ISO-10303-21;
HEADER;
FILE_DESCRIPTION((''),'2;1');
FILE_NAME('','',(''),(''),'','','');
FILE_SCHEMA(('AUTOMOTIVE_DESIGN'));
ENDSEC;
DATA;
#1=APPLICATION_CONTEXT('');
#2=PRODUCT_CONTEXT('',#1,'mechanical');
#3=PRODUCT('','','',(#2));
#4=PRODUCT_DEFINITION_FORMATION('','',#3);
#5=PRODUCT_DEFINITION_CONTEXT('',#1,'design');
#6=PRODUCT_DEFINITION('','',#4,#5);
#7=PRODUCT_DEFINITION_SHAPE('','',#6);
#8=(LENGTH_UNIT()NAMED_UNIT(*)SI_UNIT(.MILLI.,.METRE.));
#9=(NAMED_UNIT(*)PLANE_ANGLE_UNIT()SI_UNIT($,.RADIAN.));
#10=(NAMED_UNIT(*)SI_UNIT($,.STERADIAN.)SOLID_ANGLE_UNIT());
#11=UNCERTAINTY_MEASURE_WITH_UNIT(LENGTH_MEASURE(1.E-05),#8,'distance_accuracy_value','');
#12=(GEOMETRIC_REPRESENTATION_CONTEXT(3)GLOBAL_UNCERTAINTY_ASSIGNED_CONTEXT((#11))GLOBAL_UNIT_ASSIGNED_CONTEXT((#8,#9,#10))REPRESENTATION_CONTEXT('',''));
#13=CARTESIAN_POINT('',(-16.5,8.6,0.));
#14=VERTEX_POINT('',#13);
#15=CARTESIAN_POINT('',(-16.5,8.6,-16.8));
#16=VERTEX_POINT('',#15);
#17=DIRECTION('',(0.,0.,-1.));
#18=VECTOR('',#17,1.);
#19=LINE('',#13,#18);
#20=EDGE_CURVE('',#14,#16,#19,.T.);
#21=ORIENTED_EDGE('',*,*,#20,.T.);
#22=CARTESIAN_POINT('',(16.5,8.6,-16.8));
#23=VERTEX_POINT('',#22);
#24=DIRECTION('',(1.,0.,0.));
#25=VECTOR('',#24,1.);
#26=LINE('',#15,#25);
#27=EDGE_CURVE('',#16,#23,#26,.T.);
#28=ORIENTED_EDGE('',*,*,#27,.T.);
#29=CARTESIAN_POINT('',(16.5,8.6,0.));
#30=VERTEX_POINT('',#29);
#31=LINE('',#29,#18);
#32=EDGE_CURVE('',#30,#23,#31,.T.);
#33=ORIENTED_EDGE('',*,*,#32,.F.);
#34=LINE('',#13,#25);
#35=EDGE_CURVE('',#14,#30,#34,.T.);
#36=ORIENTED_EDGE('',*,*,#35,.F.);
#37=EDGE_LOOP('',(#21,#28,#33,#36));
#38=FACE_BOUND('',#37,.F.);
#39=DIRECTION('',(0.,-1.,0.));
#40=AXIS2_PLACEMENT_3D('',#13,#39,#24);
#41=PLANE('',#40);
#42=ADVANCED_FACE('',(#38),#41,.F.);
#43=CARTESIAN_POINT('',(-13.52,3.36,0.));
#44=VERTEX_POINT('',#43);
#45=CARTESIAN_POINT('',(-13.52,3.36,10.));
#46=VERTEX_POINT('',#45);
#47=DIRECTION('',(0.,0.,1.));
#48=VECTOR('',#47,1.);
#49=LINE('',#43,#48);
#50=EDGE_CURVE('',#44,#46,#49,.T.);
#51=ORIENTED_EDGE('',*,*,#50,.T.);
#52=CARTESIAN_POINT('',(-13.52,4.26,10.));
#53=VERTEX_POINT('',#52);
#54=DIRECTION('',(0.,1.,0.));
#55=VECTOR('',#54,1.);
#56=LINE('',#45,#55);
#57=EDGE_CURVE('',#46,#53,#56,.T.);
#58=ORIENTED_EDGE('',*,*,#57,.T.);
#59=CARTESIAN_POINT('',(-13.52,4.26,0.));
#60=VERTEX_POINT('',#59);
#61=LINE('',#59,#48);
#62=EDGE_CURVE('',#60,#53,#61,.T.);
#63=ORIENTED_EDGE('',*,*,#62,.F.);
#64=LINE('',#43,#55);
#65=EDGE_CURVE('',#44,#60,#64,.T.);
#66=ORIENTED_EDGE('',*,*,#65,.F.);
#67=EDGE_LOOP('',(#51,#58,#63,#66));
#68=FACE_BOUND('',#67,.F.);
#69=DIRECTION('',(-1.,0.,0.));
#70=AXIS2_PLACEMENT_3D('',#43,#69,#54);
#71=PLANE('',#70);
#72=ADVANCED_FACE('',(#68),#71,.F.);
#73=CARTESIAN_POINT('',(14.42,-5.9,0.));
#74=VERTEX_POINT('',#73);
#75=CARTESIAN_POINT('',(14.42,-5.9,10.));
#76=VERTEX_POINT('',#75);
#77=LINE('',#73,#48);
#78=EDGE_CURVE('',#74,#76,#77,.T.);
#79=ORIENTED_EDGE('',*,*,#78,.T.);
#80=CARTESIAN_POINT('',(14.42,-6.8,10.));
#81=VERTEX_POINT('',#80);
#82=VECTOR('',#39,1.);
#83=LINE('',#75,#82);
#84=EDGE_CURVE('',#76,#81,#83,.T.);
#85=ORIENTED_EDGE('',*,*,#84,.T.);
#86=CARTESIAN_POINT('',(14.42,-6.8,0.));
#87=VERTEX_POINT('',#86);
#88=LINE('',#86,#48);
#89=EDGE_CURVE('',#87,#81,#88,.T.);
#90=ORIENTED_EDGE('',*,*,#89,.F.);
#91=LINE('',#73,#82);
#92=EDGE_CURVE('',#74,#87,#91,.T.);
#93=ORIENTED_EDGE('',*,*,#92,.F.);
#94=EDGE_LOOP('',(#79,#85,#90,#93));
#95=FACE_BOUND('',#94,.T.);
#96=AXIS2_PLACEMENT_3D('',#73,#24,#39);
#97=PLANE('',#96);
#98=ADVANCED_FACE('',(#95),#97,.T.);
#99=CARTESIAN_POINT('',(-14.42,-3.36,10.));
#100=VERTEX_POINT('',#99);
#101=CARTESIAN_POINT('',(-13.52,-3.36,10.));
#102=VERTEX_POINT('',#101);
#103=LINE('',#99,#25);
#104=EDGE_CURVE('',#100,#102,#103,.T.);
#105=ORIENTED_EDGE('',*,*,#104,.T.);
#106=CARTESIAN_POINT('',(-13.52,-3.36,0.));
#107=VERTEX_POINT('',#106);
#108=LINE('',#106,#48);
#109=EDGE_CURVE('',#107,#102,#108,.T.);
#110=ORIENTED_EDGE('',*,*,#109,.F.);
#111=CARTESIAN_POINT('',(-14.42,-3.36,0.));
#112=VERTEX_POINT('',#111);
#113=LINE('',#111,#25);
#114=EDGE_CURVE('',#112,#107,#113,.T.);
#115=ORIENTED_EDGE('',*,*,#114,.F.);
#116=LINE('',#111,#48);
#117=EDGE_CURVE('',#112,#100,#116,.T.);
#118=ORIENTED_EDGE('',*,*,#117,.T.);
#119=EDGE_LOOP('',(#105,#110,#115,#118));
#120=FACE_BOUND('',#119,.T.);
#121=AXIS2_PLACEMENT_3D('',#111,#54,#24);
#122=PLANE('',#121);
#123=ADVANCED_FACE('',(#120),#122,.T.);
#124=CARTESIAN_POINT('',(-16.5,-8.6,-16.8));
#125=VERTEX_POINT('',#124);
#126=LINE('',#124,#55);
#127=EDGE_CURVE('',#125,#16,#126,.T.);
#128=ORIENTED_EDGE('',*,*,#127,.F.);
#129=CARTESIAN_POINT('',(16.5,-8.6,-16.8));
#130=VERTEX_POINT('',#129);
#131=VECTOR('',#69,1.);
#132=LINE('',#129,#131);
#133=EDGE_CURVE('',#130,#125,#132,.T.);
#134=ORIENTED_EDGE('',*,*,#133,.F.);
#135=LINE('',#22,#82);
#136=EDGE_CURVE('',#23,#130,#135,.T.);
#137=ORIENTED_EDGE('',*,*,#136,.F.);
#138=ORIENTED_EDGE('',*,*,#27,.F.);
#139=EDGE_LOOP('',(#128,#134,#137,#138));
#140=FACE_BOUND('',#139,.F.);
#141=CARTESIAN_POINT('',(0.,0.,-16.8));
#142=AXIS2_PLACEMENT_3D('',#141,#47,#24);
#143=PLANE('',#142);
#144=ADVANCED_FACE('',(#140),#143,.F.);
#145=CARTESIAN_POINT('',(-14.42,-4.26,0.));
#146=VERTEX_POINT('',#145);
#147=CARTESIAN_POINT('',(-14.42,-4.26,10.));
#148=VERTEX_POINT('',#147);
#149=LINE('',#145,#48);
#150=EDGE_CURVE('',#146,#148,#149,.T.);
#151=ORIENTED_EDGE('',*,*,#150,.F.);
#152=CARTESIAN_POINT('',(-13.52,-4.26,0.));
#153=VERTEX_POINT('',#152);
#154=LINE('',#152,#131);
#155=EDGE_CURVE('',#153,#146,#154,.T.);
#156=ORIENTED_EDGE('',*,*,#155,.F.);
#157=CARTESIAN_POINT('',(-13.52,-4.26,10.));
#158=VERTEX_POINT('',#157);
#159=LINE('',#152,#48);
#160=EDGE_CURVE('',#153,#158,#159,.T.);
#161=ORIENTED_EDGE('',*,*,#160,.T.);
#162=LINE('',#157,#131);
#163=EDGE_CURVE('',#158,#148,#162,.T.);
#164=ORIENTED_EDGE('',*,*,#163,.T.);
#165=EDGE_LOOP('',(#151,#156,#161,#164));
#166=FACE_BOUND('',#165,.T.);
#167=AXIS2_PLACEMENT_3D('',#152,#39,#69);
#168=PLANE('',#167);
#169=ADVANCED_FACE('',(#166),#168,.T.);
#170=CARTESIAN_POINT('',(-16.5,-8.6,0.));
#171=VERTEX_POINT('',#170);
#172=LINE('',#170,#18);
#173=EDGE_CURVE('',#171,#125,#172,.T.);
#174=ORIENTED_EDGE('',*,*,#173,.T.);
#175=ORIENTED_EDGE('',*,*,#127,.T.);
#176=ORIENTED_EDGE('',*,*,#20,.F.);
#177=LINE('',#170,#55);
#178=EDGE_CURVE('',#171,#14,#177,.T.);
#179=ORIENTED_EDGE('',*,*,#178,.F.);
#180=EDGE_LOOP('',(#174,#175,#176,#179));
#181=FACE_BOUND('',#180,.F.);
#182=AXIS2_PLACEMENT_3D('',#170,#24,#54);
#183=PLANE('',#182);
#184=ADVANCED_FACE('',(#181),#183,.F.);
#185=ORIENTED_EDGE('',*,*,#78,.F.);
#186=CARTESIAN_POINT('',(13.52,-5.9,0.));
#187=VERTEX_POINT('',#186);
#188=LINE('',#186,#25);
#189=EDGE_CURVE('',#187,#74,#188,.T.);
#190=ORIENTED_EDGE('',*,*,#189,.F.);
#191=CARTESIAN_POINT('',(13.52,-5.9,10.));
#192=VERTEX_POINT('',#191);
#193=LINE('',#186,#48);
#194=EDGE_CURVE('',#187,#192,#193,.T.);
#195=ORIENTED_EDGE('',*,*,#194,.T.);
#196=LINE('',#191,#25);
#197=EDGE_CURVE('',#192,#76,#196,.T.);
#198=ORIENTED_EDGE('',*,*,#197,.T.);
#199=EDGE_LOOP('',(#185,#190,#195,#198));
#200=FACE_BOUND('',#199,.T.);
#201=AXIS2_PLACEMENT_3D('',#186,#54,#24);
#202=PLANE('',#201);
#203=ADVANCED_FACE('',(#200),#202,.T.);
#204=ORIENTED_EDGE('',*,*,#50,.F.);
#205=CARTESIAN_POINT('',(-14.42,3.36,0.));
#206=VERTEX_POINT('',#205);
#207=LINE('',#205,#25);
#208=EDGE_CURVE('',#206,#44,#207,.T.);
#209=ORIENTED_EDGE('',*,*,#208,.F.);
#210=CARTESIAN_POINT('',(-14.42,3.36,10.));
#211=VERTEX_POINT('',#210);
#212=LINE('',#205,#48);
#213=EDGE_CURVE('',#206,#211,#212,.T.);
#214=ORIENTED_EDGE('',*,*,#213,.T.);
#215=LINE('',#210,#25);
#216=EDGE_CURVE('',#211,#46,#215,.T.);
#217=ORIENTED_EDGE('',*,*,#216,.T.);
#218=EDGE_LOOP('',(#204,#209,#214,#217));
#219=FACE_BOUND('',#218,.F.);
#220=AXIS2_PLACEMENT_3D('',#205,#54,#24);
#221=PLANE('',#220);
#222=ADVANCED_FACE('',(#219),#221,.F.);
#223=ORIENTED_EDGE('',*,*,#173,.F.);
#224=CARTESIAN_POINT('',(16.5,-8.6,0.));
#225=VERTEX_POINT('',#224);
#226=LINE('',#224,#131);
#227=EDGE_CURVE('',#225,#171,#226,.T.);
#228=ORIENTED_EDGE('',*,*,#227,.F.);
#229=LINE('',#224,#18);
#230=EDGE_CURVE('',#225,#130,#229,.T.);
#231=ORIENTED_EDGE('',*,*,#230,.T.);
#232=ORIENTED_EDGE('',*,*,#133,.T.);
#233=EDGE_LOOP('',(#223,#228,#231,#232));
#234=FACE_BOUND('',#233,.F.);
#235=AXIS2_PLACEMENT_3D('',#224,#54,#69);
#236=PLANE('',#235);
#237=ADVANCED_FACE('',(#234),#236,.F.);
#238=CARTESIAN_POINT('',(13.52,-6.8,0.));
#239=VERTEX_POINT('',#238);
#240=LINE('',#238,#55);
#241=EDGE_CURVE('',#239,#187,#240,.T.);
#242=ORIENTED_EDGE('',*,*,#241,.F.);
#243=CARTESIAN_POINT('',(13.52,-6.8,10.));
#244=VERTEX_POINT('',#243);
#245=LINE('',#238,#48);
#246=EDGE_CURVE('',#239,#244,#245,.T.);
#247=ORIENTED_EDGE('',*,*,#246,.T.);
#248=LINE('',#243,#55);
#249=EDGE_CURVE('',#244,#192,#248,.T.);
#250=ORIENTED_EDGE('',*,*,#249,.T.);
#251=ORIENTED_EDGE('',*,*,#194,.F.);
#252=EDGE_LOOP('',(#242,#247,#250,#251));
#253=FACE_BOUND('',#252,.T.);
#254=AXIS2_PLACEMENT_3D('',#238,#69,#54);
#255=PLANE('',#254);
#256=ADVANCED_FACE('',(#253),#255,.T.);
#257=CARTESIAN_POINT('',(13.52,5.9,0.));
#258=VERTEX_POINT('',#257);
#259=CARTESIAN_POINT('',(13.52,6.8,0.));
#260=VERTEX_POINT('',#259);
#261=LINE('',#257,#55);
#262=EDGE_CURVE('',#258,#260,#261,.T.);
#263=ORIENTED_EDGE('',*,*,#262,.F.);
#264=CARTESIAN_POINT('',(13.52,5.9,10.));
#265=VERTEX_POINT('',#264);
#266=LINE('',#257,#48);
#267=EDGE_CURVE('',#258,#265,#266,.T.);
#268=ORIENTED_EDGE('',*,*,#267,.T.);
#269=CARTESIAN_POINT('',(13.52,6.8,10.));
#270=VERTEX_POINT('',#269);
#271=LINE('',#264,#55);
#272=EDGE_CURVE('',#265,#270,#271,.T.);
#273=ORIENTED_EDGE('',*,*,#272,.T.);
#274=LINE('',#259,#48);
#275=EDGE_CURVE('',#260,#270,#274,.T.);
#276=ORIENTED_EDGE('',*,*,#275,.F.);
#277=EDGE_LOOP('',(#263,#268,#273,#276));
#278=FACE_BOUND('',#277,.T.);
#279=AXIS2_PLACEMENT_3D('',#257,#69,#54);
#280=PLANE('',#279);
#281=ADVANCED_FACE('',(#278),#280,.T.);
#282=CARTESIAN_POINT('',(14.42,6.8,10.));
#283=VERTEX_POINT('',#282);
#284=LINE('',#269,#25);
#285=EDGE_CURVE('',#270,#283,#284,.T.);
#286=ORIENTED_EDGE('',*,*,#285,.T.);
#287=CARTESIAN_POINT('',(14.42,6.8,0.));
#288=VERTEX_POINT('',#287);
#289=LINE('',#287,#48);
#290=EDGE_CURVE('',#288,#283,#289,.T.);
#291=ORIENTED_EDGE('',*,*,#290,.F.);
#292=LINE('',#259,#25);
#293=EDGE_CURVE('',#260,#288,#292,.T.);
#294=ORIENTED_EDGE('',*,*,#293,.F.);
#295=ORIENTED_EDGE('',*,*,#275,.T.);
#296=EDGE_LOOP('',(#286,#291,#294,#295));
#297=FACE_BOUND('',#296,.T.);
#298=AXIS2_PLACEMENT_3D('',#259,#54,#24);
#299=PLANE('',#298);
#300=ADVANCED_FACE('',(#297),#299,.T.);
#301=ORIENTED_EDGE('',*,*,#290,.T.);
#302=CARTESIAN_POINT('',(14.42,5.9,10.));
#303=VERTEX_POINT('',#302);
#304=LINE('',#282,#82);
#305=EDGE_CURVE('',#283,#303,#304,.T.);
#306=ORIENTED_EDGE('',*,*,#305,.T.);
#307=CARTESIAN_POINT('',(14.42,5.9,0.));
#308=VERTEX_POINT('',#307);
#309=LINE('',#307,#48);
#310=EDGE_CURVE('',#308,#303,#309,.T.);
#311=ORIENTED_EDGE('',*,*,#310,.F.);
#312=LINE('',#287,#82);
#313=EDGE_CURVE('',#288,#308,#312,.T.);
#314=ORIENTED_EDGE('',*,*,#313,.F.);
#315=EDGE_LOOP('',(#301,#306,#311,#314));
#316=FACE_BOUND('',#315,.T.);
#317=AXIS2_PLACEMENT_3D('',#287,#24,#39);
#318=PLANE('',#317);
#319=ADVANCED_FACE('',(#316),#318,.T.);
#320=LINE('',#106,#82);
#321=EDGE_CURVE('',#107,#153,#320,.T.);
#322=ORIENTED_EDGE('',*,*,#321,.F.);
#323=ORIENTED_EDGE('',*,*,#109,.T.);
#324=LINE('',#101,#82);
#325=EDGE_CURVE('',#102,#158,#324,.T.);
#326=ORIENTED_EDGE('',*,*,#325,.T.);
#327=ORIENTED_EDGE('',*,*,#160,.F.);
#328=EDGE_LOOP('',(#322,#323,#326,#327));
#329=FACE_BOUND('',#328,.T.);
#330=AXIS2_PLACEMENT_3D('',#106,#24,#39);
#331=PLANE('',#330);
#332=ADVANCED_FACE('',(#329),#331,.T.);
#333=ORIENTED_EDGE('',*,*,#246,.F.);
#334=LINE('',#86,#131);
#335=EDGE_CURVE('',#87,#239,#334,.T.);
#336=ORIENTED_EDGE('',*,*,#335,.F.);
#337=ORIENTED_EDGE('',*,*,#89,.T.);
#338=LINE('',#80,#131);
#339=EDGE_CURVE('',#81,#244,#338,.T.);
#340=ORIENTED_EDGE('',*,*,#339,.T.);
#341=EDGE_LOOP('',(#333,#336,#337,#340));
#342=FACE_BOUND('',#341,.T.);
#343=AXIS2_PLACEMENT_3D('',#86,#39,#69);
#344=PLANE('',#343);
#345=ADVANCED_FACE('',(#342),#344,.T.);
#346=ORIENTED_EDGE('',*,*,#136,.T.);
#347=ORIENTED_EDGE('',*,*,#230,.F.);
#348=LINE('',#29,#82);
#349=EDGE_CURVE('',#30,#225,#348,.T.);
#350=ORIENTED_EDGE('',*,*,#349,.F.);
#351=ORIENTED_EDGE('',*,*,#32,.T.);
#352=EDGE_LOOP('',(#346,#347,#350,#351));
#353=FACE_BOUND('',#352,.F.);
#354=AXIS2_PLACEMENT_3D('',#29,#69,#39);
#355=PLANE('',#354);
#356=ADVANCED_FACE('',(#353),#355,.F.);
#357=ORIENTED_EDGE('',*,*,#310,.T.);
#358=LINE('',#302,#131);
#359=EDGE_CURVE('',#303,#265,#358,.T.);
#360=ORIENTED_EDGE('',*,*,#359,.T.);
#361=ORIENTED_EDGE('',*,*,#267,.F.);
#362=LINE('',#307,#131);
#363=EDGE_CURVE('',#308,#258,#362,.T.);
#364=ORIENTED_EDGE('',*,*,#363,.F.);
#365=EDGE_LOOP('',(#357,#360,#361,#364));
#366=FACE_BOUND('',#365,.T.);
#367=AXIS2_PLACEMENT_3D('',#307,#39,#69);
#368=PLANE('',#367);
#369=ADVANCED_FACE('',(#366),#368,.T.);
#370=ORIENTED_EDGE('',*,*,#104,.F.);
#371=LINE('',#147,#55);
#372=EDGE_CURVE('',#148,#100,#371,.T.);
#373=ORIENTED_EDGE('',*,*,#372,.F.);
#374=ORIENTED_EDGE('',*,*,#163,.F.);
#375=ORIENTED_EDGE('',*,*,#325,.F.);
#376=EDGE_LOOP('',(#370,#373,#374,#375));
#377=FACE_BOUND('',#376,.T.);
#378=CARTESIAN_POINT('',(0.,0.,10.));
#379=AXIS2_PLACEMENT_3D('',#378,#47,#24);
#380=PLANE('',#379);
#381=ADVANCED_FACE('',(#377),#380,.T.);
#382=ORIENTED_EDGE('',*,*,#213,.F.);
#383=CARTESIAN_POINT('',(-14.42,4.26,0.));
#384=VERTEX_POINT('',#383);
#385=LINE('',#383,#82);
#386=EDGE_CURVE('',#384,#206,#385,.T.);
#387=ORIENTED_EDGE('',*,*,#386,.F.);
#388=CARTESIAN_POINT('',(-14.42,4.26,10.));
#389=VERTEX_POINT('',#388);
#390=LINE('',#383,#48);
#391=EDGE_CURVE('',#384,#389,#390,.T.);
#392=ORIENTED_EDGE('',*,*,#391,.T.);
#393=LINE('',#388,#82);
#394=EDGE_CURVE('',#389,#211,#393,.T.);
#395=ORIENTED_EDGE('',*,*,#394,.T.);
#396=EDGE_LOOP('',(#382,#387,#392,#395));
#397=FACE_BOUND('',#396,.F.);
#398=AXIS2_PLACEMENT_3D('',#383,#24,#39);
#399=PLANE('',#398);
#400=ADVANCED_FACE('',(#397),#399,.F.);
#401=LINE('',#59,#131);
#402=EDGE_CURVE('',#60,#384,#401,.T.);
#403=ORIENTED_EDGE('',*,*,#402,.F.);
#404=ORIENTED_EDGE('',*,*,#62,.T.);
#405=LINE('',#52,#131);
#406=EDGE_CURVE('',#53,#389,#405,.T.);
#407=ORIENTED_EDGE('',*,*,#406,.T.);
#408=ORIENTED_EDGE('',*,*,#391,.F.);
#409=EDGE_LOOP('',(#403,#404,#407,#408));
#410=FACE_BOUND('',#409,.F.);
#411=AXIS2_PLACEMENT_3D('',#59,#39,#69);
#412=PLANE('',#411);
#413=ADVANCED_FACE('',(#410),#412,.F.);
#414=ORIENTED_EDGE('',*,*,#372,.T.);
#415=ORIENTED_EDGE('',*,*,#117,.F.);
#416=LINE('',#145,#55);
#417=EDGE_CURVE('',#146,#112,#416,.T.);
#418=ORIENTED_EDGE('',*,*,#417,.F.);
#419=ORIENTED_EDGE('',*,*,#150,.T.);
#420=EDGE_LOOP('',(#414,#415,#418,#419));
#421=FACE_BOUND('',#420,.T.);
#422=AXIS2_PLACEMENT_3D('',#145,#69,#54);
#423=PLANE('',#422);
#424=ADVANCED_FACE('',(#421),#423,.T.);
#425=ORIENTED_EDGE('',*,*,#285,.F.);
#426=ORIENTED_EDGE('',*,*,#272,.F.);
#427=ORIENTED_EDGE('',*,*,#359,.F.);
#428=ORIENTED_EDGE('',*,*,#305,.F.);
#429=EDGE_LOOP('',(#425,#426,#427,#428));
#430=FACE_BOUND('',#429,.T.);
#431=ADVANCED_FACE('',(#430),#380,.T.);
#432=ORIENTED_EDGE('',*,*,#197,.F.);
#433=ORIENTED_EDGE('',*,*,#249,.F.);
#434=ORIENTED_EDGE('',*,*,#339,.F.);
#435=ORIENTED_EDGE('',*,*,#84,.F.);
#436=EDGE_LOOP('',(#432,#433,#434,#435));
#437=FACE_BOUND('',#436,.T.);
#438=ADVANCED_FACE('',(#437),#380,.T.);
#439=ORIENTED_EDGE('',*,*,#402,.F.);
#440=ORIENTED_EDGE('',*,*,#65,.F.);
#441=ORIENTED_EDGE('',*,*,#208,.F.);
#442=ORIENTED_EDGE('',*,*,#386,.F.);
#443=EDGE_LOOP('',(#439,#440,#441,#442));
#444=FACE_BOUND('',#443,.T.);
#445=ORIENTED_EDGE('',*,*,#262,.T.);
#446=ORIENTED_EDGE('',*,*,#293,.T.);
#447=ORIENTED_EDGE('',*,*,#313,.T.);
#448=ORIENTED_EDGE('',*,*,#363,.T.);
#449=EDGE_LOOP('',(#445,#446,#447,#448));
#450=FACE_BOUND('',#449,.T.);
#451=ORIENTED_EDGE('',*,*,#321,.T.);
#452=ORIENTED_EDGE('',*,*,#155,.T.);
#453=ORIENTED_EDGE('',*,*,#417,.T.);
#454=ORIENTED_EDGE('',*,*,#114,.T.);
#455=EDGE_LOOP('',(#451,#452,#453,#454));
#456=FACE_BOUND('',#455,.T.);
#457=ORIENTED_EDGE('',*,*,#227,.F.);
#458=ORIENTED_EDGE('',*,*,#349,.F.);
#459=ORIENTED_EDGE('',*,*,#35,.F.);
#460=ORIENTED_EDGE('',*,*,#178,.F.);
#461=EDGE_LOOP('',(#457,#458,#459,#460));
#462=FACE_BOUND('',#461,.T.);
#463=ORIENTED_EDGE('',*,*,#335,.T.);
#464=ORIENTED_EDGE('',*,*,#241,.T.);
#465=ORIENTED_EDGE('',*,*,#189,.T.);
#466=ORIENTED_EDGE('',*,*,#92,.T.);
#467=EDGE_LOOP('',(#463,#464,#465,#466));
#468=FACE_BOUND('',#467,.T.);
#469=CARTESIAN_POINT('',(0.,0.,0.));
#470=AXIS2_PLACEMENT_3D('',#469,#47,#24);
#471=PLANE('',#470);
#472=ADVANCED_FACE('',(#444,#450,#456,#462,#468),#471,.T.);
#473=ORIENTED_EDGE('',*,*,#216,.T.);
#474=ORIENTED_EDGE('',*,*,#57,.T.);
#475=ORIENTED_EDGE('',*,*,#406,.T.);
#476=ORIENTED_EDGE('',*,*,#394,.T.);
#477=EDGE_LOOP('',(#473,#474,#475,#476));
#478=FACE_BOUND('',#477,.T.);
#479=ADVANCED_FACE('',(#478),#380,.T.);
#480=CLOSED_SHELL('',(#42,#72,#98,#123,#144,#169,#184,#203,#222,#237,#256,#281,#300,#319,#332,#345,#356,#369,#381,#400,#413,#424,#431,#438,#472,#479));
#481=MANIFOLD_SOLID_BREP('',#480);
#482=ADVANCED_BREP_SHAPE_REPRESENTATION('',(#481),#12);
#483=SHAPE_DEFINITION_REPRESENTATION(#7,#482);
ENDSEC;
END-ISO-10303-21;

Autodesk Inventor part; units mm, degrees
ref_plane "YZ Plane" through (0, 0, 0) normal (1, 0, 0) x (0, 1, 0)
ref_plane "XZ Plane" through (0, 0, 0) normal (0, 1, 0) x (-1, 0, 0)
ref_plane "XY Plane" through (0, 0, 0) normal (0, 0, 1) x (1, 0, 0)
sketch "스케치1" plane through (0, 0, 0) normal (0, 0, 1) x (1, 0, 0)
  line L0 (-16.5, 8.6) -> (16.5, 8.6)
  line L1 (16.5, 8.6) -> (16.5, -8.6)
  line L2 (16.5, -8.6) -> (-16.5, -8.6)
  line L3 (-16.5, -8.6) -> (-16.5, 8.6)
  line L4 (-16.5, 8.6) -> (16.5, -8.6) construction
  line L5 (16.5, 8.6) -> (-16.5, -8.6) construction
  line L6 (13.52, 6.8) -> (14.42, 6.8)
  line L7 (14.42, 6.8) -> (14.42, 5.9)
  line L8 (14.42, 5.9) -> (13.52, 5.9)
  line L9 (13.52, 5.9) -> (13.52, 6.8)
  line L10 (13.52, 6.8) -> (14.42, 5.9) construction
  line L11 (14.42, 6.8) -> (13.52, 5.9) construction
  line L12 (13.52, -5.9) -> (14.42, -5.9)
  line L13 (14.42, -5.9) -> (14.42, -6.8)
  line L14 (14.42, -6.8) -> (13.52, -6.8)
  line L15 (13.52, -6.8) -> (13.52, -5.9)
  line L16 (13.52, -5.9) -> (14.42, -6.8) construction
  line L17 (14.42, -5.9) -> (13.52, -6.8) construction
  line L18 (-14.42, 3.36) -> (-13.52, 3.36)
  line L19 (-13.52, 3.36) -> (-13.52, 4.26)
  line L20 (-13.52, 4.26) -> (-14.42, 4.26)
  line L21 (-14.42, 4.26) -> (-14.42, 3.36)
  line L22 (-14.42, 3.36) -> (-13.52, 4.26) construction
  line L23 (-13.52, 3.36) -> (-14.42, 4.26) construction
  line L24 (-14.42, -3.36) -> (-13.52, -3.36)
  line L25 (-13.52, -3.36) -> (-13.52, -4.26)
  line L26 (-13.52, -4.26) -> (-14.42, -4.26)
  line L27 (-14.42, -4.26) -> (-14.42, -3.36)
  line L28 (-14.42, -3.36) -> (-13.52, -4.26) construction
  line L29 (-13.52, -3.36) -> (-14.42, -4.26) construction
  point P0 (0, 0)
  point P1 (13.97, 6.35)
  point P2 (13.97, -6.35)
  point P3 (-13.97, 3.81)
  point P4 (-13.97, -3.81)
  dimension "d0" = 33
  dimension "d1" = 17.2
  dimension "d2" = 2.25
  dimension "d3" = 12.7
  dimension "d4" = 0.9
  dimension "d5" = 0.9
  dimension "d6" = 0.9
  dimension "d7" = 0.9
  dimension "d8" = 0.9
  dimension "d9" = 0.9
  dimension "d10" = 0.9
  dimension "d11" = 0.9
  dimension "d12" = 4.79
  dimension "d13" = 7.62
  dimension "d14" = 2.53
  dimension "d15" = 27.94
extrude "돌출1" add sketch "스케치1" against normal blind 16.8 contours L0 L1 L2 L3 | L6 L7 L8 L9 | L12 L13 L14 L15 | L21 L20 L19 L18 | L24 L25 L26 L27
extrude "돌출2" add sketch "스케치1" along normal blind 10 contours L6 L7 L8 L9 | L12 L13 L14 L15 | L21 L20 L19 L18 | L24 L25 L26 L27
properties part number "GMS0205"
